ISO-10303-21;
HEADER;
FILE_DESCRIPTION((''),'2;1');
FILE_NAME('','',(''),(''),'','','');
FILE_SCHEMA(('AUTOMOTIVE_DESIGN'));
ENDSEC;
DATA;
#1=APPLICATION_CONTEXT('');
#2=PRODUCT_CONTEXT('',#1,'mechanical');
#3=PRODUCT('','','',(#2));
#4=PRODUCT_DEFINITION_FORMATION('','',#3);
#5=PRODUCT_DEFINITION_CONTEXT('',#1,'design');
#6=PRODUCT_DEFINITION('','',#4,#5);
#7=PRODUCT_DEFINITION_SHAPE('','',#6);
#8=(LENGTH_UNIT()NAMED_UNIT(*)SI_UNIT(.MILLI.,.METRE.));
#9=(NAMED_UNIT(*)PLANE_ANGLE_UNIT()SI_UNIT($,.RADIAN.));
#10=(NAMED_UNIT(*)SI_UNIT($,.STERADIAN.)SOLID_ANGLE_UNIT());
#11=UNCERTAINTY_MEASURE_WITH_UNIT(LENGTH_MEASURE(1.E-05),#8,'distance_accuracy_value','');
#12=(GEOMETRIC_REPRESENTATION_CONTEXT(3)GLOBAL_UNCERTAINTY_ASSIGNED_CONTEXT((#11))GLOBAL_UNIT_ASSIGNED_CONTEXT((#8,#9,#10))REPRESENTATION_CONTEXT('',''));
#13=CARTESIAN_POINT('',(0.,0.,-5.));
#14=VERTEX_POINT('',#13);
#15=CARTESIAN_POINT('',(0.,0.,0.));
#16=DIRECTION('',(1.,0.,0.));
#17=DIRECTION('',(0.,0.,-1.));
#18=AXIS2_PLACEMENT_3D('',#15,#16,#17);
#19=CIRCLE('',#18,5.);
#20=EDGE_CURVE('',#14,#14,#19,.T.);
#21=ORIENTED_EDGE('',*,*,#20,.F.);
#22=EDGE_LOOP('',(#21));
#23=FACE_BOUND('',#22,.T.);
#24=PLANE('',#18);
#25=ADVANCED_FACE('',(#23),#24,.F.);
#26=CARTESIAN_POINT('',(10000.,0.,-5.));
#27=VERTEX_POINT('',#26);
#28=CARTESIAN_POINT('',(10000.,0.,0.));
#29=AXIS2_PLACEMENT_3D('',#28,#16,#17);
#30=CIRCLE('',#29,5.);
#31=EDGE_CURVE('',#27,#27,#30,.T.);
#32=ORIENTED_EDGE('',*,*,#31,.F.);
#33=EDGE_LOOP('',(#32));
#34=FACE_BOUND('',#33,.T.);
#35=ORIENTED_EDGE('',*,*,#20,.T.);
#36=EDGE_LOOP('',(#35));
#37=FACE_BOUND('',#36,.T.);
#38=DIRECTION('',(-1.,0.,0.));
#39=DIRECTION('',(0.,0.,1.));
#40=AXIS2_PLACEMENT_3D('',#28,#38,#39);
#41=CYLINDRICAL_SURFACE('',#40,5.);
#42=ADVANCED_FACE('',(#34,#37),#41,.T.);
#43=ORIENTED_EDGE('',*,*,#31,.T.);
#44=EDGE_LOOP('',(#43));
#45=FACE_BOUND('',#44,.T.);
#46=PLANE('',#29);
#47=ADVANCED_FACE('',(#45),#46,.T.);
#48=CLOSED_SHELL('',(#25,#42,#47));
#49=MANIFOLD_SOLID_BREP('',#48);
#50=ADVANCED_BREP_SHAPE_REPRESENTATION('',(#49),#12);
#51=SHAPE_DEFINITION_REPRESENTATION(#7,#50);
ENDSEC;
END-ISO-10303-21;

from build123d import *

# Parameters (mm, degrees)
SKETCH1_R           = 5
BOSS_EXTRUDE1_DEPTH = 10000


with BuildPart() as part:
    # Sketch1 → Boss-Extrude1 (new body)
    with BuildSketch(Plane(origin=(0, 0, 0), x_dir=(0, 0, -1), z_dir=(1, 0, 0))):
        Circle(SKETCH1_R)
    extrude(amount=BOSS_EXTRUDE1_DEPTH)


solid = part.part
